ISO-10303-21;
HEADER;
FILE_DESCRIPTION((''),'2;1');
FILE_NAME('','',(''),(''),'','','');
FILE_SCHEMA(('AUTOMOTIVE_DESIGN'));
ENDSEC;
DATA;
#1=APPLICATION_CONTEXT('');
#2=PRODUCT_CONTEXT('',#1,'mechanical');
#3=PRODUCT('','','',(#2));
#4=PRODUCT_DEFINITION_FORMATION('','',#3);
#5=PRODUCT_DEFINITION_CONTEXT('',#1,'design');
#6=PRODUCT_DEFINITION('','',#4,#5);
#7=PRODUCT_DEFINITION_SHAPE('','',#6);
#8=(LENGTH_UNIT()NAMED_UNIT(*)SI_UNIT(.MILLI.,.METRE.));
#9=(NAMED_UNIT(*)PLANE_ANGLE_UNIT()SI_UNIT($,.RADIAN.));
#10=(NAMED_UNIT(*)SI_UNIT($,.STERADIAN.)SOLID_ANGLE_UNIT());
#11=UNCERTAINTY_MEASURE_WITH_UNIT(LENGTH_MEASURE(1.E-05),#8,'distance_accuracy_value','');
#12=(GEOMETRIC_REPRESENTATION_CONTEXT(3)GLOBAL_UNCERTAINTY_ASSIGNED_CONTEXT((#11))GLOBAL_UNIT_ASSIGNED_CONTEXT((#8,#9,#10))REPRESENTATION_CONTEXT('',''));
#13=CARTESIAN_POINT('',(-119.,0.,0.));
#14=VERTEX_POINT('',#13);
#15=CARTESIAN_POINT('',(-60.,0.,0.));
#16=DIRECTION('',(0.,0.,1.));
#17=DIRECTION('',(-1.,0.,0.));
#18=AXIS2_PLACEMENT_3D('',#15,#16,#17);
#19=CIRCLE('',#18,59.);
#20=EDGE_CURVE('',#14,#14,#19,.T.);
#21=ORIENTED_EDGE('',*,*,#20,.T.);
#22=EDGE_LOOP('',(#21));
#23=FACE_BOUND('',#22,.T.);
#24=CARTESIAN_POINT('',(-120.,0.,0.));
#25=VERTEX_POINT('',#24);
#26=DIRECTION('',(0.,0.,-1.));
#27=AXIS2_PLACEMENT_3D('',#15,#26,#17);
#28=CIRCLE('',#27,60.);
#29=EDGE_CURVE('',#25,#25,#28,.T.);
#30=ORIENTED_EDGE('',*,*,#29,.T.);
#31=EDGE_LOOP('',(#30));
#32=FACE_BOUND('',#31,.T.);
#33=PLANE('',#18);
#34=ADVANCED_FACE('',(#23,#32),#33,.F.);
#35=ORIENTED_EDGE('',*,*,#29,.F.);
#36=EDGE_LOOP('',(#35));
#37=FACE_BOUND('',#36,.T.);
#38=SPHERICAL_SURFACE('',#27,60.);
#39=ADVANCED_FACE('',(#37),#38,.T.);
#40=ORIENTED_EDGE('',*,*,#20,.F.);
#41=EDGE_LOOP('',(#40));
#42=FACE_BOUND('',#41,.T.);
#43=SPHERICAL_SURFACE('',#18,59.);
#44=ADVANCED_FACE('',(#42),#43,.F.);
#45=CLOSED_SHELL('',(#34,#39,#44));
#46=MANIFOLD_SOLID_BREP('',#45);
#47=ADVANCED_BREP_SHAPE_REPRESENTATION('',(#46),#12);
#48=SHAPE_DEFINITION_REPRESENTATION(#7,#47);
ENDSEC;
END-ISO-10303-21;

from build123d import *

# Parameters (mm, degrees)
REVOLVE1_ANGLE = 180


with BuildPart() as part:
    # Sketch1 → Revolve1 (revolve)
    with BuildSketch(Plane.XY):
        with BuildLine():
            Line((-120, 0), (-119, 0))
            ThreePointArc((-119, 0), (-60, 59), (-1, 0))
            Line((-1, 0), (0, 0))
            ThreePointArc((0, 0), (-60, 60), (-120, 0))
        make_face()
    revolve(axis=Axis((-119, 0, 0), (1, 0, 0)), revolution_arc=REVOLVE1_ANGLE)


solid = part.part
